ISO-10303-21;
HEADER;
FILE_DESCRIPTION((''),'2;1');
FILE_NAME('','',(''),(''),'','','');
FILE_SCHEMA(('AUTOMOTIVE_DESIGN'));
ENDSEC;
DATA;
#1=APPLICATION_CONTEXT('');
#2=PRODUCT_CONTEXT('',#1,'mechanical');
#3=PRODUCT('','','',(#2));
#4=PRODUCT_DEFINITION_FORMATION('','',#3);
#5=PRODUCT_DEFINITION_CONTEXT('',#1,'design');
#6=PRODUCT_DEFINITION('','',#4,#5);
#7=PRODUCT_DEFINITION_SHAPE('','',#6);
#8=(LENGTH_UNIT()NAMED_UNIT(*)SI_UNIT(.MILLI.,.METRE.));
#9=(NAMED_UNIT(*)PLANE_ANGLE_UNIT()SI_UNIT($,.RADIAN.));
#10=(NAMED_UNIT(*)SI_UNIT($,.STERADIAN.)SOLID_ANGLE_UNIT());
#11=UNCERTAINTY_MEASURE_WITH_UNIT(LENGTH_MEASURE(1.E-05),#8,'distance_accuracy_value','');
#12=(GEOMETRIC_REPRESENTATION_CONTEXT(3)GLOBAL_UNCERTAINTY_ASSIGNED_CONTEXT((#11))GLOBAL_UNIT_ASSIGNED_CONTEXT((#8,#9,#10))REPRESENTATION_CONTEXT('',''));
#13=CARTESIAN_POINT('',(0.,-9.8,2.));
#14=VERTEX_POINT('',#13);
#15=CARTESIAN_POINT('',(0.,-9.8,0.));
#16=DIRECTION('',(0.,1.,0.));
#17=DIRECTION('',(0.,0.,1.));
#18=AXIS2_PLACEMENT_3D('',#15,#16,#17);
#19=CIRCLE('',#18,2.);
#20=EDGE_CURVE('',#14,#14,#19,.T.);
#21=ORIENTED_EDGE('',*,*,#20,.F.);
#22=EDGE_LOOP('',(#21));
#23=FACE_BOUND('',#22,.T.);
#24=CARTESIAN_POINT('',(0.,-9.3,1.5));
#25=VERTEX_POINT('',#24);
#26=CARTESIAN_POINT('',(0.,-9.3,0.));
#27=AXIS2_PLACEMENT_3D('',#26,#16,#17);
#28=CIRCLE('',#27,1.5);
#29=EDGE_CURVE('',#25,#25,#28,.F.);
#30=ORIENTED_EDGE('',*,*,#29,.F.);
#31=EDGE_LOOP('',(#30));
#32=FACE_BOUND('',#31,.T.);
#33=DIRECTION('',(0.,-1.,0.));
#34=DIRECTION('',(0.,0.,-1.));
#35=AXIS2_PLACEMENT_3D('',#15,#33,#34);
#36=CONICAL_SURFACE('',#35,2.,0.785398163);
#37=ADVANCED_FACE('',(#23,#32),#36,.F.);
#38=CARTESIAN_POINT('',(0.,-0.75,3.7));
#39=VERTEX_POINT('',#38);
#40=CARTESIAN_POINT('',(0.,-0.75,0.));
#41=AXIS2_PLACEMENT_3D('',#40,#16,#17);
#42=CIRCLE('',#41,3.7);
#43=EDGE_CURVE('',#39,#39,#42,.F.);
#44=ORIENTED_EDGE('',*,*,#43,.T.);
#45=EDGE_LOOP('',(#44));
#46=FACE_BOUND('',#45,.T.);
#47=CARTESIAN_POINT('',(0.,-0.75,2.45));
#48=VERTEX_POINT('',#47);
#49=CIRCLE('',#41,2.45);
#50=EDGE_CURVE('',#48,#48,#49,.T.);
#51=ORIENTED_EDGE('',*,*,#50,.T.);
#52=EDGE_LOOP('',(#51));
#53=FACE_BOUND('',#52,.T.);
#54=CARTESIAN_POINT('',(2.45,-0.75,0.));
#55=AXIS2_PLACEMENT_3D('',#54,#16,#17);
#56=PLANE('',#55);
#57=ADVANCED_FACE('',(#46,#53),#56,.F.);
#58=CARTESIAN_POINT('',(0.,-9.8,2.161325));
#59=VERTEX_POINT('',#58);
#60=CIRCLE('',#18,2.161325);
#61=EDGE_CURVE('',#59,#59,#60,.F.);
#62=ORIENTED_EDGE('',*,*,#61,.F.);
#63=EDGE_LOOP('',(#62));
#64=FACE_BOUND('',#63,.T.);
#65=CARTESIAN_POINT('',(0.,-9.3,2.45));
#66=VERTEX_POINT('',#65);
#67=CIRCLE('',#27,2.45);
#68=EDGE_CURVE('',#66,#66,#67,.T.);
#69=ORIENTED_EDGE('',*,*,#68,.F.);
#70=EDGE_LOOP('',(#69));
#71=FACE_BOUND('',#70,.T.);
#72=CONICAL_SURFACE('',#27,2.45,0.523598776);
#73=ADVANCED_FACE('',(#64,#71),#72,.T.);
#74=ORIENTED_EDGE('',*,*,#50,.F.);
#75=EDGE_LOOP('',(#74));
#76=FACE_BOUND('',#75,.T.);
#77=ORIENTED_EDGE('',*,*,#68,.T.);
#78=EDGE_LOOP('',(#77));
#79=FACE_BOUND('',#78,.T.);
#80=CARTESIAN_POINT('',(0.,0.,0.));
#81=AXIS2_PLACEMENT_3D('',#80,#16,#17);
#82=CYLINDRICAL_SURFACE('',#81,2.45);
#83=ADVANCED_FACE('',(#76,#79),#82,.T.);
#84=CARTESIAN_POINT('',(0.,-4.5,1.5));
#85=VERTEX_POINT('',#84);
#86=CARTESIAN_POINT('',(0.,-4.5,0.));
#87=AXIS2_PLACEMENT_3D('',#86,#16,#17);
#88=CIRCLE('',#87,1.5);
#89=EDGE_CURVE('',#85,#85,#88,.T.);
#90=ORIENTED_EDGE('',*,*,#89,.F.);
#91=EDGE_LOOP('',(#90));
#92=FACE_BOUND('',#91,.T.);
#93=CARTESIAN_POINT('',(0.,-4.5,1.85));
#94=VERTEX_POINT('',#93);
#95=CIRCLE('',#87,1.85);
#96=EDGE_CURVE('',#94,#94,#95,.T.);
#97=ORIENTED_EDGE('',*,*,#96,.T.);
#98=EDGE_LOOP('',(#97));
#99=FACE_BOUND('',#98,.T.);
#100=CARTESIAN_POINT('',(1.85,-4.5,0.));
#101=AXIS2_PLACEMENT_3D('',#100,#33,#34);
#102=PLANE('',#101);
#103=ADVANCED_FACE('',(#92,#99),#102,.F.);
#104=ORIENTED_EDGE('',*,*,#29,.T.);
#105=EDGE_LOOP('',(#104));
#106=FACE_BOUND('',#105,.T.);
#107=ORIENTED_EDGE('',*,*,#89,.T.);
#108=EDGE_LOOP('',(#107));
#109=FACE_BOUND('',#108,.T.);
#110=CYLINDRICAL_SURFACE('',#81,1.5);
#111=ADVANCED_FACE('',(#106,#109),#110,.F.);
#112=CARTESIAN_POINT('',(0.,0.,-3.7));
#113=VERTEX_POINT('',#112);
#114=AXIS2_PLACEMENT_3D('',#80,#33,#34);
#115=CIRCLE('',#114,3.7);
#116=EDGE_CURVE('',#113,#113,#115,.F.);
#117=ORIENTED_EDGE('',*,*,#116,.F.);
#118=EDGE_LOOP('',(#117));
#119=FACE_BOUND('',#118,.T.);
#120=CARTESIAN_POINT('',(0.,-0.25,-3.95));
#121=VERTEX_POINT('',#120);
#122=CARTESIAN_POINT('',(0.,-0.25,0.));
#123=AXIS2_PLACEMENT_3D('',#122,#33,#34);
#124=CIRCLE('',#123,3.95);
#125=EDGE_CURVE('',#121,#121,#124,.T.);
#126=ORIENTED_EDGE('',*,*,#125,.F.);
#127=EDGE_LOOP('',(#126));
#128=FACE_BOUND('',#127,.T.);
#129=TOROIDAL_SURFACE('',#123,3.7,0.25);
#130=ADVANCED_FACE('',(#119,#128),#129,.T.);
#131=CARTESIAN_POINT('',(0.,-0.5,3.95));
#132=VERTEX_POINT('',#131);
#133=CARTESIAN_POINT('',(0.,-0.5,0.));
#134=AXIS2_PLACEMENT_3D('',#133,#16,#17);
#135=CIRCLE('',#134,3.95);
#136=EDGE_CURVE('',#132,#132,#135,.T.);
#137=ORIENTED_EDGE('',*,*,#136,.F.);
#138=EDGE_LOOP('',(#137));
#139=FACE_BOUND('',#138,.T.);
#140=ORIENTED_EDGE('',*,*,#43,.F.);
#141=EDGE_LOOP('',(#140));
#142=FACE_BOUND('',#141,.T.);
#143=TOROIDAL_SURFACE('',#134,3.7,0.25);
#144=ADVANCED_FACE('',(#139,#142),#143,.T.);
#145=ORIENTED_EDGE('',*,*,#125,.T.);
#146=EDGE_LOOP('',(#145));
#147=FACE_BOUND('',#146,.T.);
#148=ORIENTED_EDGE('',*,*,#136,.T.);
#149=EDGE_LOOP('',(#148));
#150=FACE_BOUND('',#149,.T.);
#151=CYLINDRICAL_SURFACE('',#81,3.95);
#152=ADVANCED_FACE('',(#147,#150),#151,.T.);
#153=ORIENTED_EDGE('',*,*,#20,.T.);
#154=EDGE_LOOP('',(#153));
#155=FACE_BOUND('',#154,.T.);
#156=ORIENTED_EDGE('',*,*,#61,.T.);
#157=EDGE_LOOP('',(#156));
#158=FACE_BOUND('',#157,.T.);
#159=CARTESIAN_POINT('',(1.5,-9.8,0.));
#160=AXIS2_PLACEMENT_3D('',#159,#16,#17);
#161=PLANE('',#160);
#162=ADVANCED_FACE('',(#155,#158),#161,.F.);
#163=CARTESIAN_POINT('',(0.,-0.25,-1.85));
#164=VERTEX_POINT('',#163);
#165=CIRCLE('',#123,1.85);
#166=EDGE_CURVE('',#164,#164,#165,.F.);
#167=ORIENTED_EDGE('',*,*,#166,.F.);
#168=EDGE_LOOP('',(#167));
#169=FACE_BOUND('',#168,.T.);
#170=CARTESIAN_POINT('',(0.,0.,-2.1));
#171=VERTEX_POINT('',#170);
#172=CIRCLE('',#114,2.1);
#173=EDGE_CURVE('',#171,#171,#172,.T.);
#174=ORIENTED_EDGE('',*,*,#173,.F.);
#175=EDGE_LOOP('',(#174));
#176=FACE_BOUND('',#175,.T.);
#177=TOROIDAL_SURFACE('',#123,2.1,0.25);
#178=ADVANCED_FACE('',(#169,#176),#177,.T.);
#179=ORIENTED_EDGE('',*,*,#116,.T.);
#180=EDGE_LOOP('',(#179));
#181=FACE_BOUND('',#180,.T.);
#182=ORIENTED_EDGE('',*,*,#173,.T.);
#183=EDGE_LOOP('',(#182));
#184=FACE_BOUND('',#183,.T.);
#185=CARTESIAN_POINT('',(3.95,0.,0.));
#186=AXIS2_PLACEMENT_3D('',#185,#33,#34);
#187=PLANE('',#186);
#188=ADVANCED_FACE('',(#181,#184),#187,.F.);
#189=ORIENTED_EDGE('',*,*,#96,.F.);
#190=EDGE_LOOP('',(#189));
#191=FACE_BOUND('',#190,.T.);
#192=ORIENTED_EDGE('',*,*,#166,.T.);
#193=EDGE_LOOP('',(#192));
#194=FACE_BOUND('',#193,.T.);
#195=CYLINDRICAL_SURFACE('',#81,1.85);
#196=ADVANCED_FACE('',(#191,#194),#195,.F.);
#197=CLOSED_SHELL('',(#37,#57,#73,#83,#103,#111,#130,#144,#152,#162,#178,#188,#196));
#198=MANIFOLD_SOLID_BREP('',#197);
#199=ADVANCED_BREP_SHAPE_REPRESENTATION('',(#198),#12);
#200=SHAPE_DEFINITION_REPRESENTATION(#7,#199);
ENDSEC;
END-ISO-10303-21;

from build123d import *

# Parameters (mm, degrees)
FILLET1_R      = 0.25
CHAMFER1_SIZE  = 0.5
CHAMFER1_SIZE2 = 0.288675135
CHAMFER2_SIZE  = 0.5


with BuildPart() as part:
    # Sketch1 → Revolve1 (revolve)
    with BuildSketch(Plane.XY):
        Polygon((1.85, 0), (1.85, -4.5), (1.5, -4.5), (1.5, -9.8), (2.45, -9.8), (2.45, -0.75), (3.95, -0.75), (3.95, 0), align=None)
    revolve(axis=Axis((0, 0, 0), (0, -1, 0)))

    # Fillet1
    fillet1_edges = [part.edges().sort_by_distance(p)[0] for p in [
        (-3.95, 0, 0),
        (-3.95, -0.75, 0),
        (-1.85, 0, 0),
    ]]
    fillet(fillet1_edges, radius=FILLET1_R)

    # Chamfer1
    chamfer1_edges = [part.edges().sort_by_distance(p)[0] for p in [
        (-2.45, -9.8, 0),
    ]]
    chamfer1_side = [part.faces().sort_by_distance(p)[0] for p in [
        (-2.45, -5.275, 0),
    ]]
    chamfer(chamfer1_edges, length=CHAMFER1_SIZE, length2=CHAMFER1_SIZE2, reference=chamfer1_side[0])

    # Chamfer2
    chamfer2_edges = [part.edges().sort_by_distance(p)[0] for p in [
        (-1.5, -9.8, 0),
    ]]
    chamfer(chamfer2_edges, length=CHAMFER2_SIZE)


solid = part.part
